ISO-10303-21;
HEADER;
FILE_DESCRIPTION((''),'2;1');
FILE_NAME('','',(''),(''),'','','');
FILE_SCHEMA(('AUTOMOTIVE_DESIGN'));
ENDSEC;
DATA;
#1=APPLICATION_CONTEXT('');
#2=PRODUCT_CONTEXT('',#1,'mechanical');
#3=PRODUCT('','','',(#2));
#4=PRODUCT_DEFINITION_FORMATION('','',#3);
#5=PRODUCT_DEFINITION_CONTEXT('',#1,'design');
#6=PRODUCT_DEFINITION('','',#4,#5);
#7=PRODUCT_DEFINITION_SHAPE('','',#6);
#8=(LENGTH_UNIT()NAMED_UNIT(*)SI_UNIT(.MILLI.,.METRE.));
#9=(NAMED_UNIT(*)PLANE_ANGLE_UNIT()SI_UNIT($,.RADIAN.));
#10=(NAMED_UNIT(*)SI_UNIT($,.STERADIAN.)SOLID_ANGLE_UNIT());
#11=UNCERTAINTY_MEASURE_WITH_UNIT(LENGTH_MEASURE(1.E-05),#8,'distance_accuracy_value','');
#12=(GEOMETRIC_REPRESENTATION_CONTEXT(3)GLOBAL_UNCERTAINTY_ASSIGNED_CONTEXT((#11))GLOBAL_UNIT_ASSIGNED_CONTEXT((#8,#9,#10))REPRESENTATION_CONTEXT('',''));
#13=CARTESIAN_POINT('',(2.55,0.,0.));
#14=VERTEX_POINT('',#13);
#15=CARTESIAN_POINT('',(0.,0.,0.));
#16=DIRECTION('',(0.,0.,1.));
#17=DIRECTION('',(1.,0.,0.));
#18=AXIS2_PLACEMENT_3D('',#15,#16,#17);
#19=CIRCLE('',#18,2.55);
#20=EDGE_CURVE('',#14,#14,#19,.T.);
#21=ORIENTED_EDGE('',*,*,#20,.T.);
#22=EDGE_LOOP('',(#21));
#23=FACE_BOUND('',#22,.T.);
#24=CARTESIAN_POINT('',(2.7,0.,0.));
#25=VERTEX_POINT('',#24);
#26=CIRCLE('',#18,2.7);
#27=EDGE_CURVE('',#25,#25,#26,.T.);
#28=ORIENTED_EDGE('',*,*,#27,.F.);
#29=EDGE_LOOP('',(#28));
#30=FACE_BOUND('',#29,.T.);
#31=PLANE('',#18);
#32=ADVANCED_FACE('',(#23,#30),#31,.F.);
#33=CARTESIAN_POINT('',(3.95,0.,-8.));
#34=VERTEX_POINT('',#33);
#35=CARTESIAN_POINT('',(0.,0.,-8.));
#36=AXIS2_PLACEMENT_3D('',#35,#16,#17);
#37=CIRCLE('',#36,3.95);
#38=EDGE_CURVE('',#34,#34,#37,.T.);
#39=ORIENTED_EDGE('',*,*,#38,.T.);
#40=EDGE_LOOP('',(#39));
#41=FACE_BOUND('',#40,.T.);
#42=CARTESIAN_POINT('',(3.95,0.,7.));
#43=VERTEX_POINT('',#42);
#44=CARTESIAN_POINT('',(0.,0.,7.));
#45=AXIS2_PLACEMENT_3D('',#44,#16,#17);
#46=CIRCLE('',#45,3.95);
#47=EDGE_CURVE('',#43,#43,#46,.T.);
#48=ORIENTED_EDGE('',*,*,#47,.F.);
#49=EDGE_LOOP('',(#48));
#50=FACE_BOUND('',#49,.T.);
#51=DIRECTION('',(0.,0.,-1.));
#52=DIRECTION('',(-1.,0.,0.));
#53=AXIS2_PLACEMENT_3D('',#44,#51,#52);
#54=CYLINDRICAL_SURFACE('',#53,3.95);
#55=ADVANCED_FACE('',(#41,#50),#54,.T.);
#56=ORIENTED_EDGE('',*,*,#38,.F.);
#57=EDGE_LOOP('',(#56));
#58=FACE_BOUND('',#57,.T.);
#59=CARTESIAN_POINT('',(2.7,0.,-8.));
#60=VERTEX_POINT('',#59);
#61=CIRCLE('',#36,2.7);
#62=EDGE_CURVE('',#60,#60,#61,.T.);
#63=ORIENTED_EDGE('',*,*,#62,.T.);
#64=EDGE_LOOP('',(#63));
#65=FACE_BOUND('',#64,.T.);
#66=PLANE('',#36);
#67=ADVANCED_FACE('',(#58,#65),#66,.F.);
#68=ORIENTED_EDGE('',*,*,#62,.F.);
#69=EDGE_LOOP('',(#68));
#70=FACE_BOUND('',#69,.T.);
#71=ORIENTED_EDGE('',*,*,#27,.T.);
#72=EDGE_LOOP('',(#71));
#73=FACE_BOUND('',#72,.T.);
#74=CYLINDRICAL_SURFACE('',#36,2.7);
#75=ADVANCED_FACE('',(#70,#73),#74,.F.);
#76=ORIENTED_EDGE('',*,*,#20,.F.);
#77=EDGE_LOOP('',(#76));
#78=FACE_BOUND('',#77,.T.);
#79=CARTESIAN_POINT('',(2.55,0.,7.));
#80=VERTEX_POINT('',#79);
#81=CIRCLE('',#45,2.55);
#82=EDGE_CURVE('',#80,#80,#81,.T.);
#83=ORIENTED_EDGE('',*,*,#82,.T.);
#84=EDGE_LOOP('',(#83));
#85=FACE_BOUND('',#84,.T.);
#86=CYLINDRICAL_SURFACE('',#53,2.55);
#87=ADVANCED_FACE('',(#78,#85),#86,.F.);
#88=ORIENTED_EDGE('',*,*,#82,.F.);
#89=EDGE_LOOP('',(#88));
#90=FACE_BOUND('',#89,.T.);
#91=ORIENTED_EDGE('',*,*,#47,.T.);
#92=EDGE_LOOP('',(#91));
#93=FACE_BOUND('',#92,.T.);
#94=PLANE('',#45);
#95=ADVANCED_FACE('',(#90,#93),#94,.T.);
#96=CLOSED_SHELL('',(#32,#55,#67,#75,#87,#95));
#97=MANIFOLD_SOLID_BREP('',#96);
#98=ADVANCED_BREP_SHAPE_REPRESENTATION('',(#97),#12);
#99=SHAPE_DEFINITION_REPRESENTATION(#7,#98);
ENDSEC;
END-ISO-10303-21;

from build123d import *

# Parameters (mm, degrees)
SKETCH_1_R      = 3.95
SKETCH_1_R_2    = 2.55
EXTRUDE_1_DEPTH = 7
EXTRUDE_START   = -8
SKETCH_1_3_R    = 3.95
SKETCH_1_3_R_2  = 2.7
EXTRUDE_2_DEPTH = 8


with BuildPart() as part:
    # 草图1 → 凸台-拉伸1 (new body)
    with BuildSketch(Plane.XY):
        Circle(SKETCH_1_R)
        Circle(SKETCH_1_R_2, mode=Mode.SUBTRACT)
    extrude(amount=EXTRUDE_1_DEPTH)

    # 草图1<3> → 凸台-拉伸2 (add)
    with BuildSketch(Plane.XY.offset(EXTRUDE_START)):
        Circle(SKETCH_1_3_R)
        Circle(SKETCH_1_3_R_2, mode=Mode.SUBTRACT)
    extrude(amount=EXTRUDE_2_DEPTH)


solid = part.part
